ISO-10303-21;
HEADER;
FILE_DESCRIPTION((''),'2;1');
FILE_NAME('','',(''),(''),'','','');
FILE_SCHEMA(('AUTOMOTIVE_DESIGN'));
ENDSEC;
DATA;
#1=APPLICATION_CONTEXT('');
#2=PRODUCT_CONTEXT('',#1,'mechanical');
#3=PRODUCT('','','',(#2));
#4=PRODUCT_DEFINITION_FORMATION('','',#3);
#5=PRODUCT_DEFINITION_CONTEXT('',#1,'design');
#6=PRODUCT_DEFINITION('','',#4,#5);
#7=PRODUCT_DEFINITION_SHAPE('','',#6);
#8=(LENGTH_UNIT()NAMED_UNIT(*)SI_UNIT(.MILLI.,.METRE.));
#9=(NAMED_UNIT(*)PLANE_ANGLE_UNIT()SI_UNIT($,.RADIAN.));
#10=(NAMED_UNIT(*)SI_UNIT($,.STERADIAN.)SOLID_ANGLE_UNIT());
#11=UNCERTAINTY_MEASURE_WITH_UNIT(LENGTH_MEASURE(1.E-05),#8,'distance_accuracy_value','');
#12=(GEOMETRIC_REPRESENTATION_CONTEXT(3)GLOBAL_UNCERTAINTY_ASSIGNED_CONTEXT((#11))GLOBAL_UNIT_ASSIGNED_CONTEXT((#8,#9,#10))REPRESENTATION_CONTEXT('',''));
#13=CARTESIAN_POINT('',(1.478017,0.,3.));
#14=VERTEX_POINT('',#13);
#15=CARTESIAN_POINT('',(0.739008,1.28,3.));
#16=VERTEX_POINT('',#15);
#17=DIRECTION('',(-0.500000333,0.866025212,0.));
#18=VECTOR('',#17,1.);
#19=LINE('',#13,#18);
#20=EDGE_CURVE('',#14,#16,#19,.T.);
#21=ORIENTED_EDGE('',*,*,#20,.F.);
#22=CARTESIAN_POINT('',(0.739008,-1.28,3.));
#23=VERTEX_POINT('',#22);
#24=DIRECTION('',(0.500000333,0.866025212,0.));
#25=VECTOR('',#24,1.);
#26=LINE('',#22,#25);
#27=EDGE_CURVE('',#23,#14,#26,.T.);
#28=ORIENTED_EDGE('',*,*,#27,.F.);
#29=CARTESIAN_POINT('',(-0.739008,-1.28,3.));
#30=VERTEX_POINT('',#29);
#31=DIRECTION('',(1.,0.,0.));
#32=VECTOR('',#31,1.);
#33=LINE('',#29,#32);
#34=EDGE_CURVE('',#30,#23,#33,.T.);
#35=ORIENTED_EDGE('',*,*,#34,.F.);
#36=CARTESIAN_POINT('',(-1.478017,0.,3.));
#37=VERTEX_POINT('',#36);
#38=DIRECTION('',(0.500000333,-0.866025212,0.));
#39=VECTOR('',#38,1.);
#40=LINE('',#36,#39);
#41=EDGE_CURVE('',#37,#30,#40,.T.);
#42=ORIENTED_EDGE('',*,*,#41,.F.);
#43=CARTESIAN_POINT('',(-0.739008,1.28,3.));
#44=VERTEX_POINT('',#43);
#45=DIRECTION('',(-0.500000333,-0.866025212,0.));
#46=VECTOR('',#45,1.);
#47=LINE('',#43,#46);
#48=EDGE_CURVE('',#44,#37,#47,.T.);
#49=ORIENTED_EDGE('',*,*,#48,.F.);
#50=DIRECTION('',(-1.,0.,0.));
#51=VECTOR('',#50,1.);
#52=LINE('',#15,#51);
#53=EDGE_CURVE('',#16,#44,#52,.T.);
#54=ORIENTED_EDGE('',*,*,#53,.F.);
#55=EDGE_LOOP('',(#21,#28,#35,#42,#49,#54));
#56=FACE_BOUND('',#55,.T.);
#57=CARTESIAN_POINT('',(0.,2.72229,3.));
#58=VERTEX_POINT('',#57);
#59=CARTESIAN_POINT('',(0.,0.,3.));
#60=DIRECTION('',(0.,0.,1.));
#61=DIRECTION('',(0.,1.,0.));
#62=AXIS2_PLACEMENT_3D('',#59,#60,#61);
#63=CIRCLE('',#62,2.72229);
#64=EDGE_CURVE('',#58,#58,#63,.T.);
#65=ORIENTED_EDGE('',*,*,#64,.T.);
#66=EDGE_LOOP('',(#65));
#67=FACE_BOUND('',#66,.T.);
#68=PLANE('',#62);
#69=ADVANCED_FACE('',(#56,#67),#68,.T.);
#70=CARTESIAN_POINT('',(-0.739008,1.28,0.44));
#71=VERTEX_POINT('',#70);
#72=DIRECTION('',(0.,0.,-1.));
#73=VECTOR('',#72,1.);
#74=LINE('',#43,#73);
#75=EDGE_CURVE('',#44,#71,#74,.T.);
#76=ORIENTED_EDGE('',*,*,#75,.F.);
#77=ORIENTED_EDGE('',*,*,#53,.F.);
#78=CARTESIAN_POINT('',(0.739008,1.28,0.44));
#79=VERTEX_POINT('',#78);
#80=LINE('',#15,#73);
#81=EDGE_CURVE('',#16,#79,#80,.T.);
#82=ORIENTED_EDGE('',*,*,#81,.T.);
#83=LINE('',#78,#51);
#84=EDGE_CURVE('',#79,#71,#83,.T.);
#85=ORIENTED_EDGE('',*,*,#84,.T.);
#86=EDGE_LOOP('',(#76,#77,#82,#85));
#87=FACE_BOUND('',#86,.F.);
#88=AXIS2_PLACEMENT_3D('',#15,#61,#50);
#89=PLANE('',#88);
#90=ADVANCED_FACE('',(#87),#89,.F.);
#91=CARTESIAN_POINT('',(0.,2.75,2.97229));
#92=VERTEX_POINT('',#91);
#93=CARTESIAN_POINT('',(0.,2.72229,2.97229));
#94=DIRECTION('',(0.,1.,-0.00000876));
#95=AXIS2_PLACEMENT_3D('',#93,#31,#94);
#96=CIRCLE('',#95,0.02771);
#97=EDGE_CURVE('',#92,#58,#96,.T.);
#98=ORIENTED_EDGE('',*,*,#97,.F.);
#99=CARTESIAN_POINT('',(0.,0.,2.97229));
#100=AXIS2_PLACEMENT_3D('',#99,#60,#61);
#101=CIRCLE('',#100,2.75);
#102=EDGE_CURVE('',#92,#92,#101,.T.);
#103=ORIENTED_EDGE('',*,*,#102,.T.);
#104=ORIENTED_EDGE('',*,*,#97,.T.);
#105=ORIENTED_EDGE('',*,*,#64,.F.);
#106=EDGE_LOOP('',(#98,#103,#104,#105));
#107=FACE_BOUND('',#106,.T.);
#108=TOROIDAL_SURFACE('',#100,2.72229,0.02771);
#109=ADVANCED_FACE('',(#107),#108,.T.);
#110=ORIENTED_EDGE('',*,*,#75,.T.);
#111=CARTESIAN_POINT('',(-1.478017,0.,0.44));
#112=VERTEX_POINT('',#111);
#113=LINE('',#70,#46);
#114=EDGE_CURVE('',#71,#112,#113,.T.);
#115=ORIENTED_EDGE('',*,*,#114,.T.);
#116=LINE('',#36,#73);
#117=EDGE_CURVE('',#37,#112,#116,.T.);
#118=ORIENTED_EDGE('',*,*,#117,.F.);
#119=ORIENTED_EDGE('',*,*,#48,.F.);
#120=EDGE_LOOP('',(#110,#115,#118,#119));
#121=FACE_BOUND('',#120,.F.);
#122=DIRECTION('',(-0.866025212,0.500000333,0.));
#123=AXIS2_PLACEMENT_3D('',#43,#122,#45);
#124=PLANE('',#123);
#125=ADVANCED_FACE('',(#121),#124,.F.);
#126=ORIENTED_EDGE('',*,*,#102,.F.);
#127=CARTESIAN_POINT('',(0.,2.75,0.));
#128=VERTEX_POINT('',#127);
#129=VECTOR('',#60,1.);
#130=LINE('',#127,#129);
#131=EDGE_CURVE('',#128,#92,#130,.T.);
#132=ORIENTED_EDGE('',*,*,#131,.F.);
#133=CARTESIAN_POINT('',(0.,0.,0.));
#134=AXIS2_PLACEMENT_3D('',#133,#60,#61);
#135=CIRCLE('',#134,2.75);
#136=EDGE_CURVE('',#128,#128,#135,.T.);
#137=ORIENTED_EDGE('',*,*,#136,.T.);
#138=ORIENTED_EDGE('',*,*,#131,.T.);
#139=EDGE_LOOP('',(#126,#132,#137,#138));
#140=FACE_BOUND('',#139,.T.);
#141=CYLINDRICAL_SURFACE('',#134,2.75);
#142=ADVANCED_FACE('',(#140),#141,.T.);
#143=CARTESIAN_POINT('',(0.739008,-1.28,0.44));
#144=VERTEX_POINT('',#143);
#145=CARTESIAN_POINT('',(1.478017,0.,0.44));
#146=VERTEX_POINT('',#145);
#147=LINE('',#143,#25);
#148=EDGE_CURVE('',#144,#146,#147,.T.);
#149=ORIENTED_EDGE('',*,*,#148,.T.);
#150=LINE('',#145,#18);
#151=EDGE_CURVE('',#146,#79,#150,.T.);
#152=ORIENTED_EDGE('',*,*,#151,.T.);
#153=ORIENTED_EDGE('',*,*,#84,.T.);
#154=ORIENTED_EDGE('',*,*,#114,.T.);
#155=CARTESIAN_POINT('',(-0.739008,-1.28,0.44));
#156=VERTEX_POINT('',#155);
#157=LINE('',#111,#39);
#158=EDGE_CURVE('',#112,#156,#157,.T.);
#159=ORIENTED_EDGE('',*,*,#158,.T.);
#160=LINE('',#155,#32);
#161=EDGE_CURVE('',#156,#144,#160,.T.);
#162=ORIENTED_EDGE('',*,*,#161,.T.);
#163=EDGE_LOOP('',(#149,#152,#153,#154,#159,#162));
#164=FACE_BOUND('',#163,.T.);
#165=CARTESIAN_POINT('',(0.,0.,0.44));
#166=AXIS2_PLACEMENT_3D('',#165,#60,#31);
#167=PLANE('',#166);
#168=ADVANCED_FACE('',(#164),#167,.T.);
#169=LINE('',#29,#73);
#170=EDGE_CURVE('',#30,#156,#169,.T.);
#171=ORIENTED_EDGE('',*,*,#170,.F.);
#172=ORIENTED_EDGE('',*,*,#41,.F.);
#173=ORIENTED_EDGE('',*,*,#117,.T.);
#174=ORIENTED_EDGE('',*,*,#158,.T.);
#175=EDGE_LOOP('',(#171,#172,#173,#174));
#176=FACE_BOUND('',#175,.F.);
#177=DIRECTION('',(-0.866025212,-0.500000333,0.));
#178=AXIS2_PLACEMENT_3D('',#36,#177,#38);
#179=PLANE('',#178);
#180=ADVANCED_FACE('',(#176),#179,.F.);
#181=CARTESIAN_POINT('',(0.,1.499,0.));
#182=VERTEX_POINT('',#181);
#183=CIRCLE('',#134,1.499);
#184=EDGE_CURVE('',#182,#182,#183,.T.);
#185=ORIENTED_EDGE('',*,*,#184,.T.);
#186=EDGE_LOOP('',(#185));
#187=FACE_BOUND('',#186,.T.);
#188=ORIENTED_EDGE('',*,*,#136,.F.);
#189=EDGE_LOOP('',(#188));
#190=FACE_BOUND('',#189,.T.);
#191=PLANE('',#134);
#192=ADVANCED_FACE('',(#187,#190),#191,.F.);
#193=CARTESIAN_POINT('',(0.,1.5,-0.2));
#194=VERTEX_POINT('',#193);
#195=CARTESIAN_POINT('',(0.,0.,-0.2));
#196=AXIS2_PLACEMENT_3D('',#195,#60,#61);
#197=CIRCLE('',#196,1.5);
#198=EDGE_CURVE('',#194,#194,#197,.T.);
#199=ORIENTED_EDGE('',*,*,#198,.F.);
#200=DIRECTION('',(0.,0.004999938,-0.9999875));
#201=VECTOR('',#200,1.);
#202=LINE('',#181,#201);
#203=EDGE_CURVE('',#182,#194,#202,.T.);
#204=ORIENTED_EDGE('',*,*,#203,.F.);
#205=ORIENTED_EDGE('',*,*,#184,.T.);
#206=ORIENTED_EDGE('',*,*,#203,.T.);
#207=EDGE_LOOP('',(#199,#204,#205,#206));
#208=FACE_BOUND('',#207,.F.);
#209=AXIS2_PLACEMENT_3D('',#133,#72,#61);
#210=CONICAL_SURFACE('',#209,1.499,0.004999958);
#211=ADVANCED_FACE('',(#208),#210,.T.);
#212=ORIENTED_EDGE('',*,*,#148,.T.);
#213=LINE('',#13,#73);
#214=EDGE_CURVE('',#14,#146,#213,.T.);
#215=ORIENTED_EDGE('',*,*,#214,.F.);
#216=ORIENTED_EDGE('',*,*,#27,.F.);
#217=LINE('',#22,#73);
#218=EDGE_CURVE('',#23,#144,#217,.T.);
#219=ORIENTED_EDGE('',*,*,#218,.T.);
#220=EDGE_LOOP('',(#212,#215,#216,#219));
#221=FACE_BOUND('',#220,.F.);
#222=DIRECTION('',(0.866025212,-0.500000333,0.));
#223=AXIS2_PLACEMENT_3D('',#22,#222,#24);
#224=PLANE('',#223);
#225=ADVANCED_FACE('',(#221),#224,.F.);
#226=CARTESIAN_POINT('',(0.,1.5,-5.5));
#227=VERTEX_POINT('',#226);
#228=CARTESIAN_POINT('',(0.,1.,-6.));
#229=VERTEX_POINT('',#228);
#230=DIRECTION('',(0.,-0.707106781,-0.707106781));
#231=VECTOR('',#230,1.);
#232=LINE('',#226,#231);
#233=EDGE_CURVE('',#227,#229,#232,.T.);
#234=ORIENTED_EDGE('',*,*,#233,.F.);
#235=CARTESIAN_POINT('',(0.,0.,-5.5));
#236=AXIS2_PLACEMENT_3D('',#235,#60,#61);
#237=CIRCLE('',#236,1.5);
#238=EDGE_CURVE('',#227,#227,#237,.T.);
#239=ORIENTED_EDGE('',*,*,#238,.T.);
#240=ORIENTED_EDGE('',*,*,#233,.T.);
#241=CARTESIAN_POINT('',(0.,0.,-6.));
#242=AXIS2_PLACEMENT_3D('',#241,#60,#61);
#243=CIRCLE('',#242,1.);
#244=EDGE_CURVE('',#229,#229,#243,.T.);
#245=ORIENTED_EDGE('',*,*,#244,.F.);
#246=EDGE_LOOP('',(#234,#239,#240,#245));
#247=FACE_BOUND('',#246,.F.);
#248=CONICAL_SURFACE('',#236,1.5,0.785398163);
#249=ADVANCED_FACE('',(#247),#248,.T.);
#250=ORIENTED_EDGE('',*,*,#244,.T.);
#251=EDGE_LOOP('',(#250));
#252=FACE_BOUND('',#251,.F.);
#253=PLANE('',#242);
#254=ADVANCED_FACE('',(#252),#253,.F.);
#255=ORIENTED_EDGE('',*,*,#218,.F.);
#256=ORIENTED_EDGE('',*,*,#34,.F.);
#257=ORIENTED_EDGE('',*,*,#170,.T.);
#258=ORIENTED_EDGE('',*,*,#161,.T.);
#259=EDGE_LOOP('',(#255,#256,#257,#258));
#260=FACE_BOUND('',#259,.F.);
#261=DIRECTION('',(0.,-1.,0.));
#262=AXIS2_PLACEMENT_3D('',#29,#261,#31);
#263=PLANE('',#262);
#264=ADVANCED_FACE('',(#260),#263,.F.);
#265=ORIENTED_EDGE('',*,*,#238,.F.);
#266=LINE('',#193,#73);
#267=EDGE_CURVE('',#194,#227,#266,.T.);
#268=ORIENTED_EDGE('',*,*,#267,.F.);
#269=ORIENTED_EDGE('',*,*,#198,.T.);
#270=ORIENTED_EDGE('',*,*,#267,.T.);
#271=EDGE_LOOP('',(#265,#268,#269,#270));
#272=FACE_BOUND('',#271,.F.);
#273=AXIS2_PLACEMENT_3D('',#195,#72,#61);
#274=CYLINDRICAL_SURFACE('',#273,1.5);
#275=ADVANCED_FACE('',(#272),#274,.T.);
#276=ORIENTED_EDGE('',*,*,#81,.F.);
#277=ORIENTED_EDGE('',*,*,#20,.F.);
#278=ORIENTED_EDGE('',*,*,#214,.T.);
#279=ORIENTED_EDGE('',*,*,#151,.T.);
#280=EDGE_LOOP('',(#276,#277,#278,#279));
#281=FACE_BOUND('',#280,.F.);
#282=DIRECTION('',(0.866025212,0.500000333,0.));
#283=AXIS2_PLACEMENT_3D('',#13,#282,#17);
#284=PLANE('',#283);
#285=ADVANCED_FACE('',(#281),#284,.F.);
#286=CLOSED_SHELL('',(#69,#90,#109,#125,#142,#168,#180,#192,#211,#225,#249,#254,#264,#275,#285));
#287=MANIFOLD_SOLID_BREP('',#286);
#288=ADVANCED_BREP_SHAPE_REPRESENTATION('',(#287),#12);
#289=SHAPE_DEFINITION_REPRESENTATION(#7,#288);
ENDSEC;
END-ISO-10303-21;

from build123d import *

# Parameters (mm, degrees)
POCKET_DEPTH = 2.56


with BuildPart() as part:
    # Sketch → Revolve (revolve)
    with BuildSketch(Plane.YZ):
        with BuildLine():
            Line((1.499, 0), (2.75, 0))
            Line((2.75, 0), (2.75, 2.97229))
            ThreePointArc((2.75, 2.97229), (2.741884, 2.991884), (2.72229, 3))
            Line((2.72229, 3), (0, 3))
            Line((0, -6), (0, 3))
            Line((1, -6), (0, -6))
            Line((1.5, -5.5), (1, -6))
            Line((1.5, -0.2), (1.5, -5.5))
            Line((1.499, 0), (1.5, -0.2))
        make_face()
    revolve(axis=Axis((0, 0, 0), (0, 0, 1)))

    # Sketch001 → Pocket (cut)
    with BuildSketch(Plane.XY.offset(3)):
        Polygon((1.478017, 0), (0.739008, 1.28), (-0.739008, 1.28), (-1.478017, 0), (-0.739008, -1.28), (0.739008, -1.28), align=None)
    extrude(amount=-POCKET_DEPTH, mode=Mode.SUBTRACT)


solid = part.part
